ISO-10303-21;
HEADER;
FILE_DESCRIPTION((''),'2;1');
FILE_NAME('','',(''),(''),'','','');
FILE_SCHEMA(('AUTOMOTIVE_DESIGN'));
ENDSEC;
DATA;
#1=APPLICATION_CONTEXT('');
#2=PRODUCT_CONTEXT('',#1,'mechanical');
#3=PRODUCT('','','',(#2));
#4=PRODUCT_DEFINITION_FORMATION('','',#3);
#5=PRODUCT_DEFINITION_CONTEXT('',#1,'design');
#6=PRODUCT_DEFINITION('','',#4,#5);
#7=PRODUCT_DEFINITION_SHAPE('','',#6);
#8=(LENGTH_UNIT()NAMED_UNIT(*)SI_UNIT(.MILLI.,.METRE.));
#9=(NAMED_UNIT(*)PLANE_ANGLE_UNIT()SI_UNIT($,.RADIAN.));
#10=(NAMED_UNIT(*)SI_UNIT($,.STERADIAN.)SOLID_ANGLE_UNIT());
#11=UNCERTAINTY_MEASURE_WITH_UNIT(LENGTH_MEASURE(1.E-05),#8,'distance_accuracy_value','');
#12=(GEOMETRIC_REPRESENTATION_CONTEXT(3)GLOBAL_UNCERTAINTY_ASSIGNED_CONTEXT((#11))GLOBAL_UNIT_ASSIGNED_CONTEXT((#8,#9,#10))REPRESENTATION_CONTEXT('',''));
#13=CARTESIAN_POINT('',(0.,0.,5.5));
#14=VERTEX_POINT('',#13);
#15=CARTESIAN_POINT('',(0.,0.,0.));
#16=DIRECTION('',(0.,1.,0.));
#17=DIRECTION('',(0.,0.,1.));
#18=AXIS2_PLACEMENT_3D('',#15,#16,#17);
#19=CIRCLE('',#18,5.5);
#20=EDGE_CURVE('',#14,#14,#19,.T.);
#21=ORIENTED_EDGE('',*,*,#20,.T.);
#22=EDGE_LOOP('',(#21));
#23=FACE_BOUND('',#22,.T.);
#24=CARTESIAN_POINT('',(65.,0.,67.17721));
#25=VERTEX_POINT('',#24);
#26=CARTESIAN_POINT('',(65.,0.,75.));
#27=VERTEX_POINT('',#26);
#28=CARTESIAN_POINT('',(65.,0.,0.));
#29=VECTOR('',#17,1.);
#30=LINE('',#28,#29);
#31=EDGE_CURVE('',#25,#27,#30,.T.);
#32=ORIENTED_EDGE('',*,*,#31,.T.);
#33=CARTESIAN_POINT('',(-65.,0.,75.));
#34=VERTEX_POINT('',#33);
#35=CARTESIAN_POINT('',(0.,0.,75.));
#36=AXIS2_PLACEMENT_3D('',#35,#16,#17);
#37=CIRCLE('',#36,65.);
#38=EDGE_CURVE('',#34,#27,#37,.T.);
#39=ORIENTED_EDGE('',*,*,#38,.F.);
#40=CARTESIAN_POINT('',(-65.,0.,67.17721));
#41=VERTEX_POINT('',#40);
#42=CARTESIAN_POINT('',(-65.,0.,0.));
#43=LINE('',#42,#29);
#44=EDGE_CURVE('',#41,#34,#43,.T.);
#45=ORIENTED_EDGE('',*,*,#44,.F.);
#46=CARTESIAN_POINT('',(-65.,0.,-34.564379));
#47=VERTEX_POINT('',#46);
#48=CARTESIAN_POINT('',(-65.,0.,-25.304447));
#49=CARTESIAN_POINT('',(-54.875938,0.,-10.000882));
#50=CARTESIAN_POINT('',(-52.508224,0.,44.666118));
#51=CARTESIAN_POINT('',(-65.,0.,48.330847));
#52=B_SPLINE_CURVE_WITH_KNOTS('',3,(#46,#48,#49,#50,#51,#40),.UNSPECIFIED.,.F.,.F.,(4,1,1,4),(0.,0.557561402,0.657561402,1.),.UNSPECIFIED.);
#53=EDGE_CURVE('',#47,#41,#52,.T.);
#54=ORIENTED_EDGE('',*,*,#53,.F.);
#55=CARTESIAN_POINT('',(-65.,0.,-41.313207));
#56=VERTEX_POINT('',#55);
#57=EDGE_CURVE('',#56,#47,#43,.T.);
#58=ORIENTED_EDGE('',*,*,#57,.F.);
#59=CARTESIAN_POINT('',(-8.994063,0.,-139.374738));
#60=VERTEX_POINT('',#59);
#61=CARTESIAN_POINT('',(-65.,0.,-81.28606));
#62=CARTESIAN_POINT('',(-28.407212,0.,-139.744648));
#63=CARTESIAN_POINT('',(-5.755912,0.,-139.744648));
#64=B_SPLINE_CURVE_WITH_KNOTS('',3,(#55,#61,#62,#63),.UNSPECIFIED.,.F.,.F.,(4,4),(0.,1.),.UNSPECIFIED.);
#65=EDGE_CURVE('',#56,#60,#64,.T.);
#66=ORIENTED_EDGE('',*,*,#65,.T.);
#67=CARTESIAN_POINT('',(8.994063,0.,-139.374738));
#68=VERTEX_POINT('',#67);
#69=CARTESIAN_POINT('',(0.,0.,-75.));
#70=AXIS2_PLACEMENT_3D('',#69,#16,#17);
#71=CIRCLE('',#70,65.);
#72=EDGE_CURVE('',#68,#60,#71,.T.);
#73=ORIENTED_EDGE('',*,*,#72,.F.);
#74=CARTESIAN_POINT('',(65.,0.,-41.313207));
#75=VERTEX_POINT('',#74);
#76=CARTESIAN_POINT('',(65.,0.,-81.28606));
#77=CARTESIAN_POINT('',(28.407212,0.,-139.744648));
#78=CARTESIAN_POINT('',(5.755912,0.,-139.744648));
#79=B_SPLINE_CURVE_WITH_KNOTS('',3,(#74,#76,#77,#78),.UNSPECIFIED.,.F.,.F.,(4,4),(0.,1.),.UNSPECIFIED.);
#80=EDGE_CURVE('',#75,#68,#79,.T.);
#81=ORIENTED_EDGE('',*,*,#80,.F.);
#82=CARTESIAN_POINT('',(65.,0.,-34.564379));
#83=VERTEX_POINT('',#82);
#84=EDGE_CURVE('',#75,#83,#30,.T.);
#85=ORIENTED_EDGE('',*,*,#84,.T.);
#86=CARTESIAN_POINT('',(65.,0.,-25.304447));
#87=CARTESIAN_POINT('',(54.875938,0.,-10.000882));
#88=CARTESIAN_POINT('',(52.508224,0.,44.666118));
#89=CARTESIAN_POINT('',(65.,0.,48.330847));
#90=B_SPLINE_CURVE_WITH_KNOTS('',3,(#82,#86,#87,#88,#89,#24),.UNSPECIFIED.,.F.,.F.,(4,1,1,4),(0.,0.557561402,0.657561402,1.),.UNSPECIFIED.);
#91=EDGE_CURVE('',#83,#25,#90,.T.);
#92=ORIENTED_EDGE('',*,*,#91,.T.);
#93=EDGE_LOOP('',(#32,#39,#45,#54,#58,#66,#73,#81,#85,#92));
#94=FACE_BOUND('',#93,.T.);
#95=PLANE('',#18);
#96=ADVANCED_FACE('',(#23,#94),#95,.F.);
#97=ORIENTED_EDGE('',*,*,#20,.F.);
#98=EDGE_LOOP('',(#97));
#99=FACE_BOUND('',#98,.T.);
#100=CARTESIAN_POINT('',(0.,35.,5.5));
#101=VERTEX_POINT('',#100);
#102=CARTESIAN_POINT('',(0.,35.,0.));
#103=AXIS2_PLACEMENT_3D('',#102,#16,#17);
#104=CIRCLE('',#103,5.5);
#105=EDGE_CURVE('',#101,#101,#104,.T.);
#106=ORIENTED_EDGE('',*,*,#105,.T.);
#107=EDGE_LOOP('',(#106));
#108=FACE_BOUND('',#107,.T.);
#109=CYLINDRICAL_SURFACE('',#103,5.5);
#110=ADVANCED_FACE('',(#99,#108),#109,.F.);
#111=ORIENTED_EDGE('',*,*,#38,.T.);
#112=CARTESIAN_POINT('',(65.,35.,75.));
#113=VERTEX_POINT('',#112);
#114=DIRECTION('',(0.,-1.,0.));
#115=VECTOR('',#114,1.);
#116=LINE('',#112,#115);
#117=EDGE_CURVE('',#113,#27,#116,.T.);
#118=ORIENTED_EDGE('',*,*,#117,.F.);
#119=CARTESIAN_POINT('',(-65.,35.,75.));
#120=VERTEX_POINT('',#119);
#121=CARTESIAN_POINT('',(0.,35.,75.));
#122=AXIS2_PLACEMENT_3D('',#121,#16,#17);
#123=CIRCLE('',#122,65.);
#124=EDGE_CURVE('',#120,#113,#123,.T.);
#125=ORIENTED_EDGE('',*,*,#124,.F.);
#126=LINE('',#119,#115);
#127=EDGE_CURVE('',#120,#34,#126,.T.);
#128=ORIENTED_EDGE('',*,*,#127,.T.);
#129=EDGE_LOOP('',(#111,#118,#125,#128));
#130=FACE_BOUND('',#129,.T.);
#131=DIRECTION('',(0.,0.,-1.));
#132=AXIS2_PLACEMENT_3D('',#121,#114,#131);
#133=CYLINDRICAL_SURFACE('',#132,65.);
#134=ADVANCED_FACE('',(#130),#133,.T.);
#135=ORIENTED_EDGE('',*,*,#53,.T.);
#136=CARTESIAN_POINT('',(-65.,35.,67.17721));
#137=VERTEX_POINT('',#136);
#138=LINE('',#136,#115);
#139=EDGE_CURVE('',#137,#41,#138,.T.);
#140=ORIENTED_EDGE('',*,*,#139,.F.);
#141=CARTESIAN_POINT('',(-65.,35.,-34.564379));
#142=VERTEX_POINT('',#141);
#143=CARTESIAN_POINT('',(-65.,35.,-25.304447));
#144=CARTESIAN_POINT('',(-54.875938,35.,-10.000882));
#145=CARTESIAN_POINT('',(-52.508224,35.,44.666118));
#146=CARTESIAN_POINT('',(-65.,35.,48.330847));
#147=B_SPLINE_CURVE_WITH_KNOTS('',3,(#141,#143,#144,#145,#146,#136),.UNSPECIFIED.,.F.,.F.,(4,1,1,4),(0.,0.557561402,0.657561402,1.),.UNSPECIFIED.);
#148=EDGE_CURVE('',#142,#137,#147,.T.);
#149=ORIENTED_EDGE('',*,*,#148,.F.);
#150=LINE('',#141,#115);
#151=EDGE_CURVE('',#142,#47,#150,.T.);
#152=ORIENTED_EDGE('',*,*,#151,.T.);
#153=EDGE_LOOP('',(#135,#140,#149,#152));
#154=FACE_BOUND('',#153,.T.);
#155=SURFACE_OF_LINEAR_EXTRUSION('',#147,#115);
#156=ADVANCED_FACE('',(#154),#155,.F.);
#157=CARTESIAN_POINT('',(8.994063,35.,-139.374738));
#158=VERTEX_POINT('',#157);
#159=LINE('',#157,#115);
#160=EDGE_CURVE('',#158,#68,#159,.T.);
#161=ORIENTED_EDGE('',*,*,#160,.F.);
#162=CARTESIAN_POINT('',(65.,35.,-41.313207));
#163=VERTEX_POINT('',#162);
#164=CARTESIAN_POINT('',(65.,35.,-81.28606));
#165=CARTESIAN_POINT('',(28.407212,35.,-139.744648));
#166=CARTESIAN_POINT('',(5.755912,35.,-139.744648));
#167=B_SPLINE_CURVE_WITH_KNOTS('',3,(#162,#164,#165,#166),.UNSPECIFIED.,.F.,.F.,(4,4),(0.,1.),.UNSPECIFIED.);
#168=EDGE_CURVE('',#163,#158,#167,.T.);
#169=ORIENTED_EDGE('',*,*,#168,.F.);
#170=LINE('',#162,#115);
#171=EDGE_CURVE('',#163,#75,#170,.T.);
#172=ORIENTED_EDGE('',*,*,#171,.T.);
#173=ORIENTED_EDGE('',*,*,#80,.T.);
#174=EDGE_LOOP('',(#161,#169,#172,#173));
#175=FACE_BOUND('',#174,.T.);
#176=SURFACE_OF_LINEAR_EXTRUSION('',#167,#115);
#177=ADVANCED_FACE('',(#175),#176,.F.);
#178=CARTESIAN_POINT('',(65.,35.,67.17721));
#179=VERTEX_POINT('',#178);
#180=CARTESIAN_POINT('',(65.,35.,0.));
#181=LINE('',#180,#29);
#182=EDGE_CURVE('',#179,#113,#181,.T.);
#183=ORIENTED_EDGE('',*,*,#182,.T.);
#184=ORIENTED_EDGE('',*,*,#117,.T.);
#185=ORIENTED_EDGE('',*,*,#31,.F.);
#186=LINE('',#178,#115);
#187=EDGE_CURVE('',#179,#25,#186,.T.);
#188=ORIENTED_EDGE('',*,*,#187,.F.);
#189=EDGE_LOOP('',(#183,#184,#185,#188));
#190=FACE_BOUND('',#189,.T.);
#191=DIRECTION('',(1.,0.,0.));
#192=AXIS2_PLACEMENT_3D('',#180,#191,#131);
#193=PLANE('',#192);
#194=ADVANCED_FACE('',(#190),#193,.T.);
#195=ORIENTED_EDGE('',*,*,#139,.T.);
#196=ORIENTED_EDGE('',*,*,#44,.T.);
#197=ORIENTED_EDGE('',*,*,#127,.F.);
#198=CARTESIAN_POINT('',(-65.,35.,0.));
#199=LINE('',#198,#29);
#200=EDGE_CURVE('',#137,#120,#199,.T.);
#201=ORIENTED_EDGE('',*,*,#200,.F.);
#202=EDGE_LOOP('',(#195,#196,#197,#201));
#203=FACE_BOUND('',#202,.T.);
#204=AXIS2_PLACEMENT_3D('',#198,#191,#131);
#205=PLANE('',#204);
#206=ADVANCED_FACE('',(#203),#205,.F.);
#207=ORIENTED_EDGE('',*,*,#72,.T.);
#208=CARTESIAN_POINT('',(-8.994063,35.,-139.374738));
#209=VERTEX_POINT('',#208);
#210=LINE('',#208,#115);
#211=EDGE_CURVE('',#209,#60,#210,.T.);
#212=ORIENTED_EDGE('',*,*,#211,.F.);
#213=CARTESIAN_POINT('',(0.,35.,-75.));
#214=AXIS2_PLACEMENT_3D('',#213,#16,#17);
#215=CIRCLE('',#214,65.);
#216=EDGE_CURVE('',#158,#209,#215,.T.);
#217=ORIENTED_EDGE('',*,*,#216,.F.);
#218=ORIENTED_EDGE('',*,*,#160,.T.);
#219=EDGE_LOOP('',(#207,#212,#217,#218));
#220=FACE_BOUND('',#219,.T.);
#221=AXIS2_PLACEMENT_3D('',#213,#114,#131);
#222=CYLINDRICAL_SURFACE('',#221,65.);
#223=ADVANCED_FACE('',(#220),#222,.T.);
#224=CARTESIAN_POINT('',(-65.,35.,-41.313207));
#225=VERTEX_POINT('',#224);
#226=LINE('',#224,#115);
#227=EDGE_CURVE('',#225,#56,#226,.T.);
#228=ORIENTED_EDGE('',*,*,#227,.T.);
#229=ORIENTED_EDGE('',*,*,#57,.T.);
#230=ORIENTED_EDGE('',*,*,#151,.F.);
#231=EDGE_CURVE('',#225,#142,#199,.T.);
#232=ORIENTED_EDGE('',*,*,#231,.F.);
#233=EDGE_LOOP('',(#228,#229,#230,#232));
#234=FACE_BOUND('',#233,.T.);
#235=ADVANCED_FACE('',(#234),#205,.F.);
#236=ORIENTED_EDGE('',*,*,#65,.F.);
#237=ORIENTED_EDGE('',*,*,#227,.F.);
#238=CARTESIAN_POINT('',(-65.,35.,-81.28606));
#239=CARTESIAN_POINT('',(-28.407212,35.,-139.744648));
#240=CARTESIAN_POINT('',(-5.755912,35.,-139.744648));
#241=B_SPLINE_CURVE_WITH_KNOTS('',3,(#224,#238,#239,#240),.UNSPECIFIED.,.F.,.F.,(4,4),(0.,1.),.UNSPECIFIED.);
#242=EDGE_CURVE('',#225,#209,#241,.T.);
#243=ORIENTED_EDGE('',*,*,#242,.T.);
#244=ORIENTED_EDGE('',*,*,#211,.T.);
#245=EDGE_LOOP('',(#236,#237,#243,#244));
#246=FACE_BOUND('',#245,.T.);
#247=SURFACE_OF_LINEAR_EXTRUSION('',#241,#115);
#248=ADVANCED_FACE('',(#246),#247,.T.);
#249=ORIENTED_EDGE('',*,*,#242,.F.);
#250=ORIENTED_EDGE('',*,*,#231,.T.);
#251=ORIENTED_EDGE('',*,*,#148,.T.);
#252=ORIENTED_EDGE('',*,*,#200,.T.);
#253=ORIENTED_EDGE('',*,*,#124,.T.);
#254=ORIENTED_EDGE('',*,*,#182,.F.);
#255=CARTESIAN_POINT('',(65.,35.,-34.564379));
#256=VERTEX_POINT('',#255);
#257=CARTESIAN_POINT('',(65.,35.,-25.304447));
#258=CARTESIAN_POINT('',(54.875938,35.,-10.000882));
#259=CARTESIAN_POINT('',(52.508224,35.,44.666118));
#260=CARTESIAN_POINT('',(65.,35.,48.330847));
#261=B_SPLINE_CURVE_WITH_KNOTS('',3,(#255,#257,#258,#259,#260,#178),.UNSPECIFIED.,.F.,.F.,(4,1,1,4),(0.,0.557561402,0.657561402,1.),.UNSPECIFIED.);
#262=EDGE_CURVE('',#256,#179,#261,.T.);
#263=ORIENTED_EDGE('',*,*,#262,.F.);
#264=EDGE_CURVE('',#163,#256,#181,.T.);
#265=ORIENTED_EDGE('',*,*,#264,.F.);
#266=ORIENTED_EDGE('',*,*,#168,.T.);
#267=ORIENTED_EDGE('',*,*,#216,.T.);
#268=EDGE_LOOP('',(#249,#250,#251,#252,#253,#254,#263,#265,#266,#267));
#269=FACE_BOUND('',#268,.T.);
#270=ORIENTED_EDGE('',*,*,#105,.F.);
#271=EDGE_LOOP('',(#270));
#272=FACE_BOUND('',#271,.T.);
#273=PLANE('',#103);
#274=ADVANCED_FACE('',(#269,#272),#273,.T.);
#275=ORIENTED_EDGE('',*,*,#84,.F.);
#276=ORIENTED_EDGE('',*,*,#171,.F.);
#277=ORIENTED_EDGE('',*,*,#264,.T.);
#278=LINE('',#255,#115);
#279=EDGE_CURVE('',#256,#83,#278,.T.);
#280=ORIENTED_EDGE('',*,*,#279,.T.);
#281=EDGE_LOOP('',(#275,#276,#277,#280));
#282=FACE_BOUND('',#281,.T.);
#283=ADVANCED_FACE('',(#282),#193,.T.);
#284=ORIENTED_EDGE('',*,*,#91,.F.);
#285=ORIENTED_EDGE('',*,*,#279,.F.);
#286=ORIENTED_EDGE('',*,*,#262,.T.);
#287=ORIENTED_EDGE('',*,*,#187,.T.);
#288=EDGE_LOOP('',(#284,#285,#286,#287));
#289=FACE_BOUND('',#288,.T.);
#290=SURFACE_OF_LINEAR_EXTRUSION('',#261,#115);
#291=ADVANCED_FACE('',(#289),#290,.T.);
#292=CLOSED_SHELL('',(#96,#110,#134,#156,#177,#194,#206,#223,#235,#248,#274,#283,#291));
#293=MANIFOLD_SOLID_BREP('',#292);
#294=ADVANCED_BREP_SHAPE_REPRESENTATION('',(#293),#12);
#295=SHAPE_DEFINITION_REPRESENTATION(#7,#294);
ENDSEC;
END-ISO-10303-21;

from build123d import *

# Parameters (mm, degrees)
BOSS_EXTRUDE1_DEPTH   = 35
M10_CLEARANCE_HOLE1_D = 11


with BuildPart() as part:
    # Sketch1 → Boss-Extrude1 (new body)
    with BuildSketch(Plane(origin=(0, 0, 0), x_dir=(1, 0, 0), z_dir=(0, 1, 0))):
        with BuildLine():
            Line((65, 34.564378512), (65, 41.31320725))
            add(Edge.make_bspline(
                [(65, 41.31320725), (65, 79.431268024), (31.724329751, 134.359342402), (8.994063072, 139.37473751)],
                knots=[0, 0, 0, 0, 0.953598716, 0.953598716, 0.953598716, 0.953598716], degree=3))
            ThreePointArc((8.994063072, 139.37473751), (7.377306472, 139.579991865), (5.755912154, 139.744648237))
            ThreePointArc((5.755912154, 139.744648237), (0, 140), (-5.755912154, 139.744648237))
            ThreePointArc((-5.755912154, 139.744648237), (-7.377306472, 139.579991865), (-8.994063072, 139.37473751))
            add(Edge.make_bspline(
                [(-65, 41.31320725), (-65, 79.431268024), (-31.724329751, 134.359342402), (-8.994063072, 139.37473751)],
                knots=[0, 0, 0, 0, 0.953598716, 0.953598716, 0.953598716, 0.953598716], degree=3))
            Line((-65, 41.31320725), (-65, 34.564378512))
            add(Edge.make_bspline(
                [(-65, 34.564378512), (-65, 25.304446618), (-54.875938022, 10.00088171), (-52.508224213, -44.666118343), (-65, -48.330846971), (-65, -67.177210158)],
                knots=[0, 0, 0, 0, 0.557561402, 0.657561402, 1, 1, 1, 1], degree=3))
            Line((-65, -67.177210158), (-65, -75))
            ThreePointArc((-65, -75), (0, -140), (65, -75))
            Line((65, -75), (65, -67.177210158))
            add(Edge.make_bspline(
                [(65, 34.564378512), (65, 25.304446618), (54.875938022, 10.00088171), (52.508224213, -44.666118343), (65, -48.330846971), (65, -67.177210158)],
                knots=[0, 0, 0, 0, 0.557561402, 0.657561402, 1, 1, 1, 1], degree=3))
        make_face()
    extrude(amount=BOSS_EXTRUDE1_DEPTH)

    # M10 Clearance Hole1 (through all)
    with Locations(Plane(origin=(0, 35, 0), x_dir=(1, 0, 0), z_dir=(0, 1, 0))):
        with Locations((0, 0)):
            Hole(M10_CLEARANCE_HOLE1_D / 2)


solid = part.part
